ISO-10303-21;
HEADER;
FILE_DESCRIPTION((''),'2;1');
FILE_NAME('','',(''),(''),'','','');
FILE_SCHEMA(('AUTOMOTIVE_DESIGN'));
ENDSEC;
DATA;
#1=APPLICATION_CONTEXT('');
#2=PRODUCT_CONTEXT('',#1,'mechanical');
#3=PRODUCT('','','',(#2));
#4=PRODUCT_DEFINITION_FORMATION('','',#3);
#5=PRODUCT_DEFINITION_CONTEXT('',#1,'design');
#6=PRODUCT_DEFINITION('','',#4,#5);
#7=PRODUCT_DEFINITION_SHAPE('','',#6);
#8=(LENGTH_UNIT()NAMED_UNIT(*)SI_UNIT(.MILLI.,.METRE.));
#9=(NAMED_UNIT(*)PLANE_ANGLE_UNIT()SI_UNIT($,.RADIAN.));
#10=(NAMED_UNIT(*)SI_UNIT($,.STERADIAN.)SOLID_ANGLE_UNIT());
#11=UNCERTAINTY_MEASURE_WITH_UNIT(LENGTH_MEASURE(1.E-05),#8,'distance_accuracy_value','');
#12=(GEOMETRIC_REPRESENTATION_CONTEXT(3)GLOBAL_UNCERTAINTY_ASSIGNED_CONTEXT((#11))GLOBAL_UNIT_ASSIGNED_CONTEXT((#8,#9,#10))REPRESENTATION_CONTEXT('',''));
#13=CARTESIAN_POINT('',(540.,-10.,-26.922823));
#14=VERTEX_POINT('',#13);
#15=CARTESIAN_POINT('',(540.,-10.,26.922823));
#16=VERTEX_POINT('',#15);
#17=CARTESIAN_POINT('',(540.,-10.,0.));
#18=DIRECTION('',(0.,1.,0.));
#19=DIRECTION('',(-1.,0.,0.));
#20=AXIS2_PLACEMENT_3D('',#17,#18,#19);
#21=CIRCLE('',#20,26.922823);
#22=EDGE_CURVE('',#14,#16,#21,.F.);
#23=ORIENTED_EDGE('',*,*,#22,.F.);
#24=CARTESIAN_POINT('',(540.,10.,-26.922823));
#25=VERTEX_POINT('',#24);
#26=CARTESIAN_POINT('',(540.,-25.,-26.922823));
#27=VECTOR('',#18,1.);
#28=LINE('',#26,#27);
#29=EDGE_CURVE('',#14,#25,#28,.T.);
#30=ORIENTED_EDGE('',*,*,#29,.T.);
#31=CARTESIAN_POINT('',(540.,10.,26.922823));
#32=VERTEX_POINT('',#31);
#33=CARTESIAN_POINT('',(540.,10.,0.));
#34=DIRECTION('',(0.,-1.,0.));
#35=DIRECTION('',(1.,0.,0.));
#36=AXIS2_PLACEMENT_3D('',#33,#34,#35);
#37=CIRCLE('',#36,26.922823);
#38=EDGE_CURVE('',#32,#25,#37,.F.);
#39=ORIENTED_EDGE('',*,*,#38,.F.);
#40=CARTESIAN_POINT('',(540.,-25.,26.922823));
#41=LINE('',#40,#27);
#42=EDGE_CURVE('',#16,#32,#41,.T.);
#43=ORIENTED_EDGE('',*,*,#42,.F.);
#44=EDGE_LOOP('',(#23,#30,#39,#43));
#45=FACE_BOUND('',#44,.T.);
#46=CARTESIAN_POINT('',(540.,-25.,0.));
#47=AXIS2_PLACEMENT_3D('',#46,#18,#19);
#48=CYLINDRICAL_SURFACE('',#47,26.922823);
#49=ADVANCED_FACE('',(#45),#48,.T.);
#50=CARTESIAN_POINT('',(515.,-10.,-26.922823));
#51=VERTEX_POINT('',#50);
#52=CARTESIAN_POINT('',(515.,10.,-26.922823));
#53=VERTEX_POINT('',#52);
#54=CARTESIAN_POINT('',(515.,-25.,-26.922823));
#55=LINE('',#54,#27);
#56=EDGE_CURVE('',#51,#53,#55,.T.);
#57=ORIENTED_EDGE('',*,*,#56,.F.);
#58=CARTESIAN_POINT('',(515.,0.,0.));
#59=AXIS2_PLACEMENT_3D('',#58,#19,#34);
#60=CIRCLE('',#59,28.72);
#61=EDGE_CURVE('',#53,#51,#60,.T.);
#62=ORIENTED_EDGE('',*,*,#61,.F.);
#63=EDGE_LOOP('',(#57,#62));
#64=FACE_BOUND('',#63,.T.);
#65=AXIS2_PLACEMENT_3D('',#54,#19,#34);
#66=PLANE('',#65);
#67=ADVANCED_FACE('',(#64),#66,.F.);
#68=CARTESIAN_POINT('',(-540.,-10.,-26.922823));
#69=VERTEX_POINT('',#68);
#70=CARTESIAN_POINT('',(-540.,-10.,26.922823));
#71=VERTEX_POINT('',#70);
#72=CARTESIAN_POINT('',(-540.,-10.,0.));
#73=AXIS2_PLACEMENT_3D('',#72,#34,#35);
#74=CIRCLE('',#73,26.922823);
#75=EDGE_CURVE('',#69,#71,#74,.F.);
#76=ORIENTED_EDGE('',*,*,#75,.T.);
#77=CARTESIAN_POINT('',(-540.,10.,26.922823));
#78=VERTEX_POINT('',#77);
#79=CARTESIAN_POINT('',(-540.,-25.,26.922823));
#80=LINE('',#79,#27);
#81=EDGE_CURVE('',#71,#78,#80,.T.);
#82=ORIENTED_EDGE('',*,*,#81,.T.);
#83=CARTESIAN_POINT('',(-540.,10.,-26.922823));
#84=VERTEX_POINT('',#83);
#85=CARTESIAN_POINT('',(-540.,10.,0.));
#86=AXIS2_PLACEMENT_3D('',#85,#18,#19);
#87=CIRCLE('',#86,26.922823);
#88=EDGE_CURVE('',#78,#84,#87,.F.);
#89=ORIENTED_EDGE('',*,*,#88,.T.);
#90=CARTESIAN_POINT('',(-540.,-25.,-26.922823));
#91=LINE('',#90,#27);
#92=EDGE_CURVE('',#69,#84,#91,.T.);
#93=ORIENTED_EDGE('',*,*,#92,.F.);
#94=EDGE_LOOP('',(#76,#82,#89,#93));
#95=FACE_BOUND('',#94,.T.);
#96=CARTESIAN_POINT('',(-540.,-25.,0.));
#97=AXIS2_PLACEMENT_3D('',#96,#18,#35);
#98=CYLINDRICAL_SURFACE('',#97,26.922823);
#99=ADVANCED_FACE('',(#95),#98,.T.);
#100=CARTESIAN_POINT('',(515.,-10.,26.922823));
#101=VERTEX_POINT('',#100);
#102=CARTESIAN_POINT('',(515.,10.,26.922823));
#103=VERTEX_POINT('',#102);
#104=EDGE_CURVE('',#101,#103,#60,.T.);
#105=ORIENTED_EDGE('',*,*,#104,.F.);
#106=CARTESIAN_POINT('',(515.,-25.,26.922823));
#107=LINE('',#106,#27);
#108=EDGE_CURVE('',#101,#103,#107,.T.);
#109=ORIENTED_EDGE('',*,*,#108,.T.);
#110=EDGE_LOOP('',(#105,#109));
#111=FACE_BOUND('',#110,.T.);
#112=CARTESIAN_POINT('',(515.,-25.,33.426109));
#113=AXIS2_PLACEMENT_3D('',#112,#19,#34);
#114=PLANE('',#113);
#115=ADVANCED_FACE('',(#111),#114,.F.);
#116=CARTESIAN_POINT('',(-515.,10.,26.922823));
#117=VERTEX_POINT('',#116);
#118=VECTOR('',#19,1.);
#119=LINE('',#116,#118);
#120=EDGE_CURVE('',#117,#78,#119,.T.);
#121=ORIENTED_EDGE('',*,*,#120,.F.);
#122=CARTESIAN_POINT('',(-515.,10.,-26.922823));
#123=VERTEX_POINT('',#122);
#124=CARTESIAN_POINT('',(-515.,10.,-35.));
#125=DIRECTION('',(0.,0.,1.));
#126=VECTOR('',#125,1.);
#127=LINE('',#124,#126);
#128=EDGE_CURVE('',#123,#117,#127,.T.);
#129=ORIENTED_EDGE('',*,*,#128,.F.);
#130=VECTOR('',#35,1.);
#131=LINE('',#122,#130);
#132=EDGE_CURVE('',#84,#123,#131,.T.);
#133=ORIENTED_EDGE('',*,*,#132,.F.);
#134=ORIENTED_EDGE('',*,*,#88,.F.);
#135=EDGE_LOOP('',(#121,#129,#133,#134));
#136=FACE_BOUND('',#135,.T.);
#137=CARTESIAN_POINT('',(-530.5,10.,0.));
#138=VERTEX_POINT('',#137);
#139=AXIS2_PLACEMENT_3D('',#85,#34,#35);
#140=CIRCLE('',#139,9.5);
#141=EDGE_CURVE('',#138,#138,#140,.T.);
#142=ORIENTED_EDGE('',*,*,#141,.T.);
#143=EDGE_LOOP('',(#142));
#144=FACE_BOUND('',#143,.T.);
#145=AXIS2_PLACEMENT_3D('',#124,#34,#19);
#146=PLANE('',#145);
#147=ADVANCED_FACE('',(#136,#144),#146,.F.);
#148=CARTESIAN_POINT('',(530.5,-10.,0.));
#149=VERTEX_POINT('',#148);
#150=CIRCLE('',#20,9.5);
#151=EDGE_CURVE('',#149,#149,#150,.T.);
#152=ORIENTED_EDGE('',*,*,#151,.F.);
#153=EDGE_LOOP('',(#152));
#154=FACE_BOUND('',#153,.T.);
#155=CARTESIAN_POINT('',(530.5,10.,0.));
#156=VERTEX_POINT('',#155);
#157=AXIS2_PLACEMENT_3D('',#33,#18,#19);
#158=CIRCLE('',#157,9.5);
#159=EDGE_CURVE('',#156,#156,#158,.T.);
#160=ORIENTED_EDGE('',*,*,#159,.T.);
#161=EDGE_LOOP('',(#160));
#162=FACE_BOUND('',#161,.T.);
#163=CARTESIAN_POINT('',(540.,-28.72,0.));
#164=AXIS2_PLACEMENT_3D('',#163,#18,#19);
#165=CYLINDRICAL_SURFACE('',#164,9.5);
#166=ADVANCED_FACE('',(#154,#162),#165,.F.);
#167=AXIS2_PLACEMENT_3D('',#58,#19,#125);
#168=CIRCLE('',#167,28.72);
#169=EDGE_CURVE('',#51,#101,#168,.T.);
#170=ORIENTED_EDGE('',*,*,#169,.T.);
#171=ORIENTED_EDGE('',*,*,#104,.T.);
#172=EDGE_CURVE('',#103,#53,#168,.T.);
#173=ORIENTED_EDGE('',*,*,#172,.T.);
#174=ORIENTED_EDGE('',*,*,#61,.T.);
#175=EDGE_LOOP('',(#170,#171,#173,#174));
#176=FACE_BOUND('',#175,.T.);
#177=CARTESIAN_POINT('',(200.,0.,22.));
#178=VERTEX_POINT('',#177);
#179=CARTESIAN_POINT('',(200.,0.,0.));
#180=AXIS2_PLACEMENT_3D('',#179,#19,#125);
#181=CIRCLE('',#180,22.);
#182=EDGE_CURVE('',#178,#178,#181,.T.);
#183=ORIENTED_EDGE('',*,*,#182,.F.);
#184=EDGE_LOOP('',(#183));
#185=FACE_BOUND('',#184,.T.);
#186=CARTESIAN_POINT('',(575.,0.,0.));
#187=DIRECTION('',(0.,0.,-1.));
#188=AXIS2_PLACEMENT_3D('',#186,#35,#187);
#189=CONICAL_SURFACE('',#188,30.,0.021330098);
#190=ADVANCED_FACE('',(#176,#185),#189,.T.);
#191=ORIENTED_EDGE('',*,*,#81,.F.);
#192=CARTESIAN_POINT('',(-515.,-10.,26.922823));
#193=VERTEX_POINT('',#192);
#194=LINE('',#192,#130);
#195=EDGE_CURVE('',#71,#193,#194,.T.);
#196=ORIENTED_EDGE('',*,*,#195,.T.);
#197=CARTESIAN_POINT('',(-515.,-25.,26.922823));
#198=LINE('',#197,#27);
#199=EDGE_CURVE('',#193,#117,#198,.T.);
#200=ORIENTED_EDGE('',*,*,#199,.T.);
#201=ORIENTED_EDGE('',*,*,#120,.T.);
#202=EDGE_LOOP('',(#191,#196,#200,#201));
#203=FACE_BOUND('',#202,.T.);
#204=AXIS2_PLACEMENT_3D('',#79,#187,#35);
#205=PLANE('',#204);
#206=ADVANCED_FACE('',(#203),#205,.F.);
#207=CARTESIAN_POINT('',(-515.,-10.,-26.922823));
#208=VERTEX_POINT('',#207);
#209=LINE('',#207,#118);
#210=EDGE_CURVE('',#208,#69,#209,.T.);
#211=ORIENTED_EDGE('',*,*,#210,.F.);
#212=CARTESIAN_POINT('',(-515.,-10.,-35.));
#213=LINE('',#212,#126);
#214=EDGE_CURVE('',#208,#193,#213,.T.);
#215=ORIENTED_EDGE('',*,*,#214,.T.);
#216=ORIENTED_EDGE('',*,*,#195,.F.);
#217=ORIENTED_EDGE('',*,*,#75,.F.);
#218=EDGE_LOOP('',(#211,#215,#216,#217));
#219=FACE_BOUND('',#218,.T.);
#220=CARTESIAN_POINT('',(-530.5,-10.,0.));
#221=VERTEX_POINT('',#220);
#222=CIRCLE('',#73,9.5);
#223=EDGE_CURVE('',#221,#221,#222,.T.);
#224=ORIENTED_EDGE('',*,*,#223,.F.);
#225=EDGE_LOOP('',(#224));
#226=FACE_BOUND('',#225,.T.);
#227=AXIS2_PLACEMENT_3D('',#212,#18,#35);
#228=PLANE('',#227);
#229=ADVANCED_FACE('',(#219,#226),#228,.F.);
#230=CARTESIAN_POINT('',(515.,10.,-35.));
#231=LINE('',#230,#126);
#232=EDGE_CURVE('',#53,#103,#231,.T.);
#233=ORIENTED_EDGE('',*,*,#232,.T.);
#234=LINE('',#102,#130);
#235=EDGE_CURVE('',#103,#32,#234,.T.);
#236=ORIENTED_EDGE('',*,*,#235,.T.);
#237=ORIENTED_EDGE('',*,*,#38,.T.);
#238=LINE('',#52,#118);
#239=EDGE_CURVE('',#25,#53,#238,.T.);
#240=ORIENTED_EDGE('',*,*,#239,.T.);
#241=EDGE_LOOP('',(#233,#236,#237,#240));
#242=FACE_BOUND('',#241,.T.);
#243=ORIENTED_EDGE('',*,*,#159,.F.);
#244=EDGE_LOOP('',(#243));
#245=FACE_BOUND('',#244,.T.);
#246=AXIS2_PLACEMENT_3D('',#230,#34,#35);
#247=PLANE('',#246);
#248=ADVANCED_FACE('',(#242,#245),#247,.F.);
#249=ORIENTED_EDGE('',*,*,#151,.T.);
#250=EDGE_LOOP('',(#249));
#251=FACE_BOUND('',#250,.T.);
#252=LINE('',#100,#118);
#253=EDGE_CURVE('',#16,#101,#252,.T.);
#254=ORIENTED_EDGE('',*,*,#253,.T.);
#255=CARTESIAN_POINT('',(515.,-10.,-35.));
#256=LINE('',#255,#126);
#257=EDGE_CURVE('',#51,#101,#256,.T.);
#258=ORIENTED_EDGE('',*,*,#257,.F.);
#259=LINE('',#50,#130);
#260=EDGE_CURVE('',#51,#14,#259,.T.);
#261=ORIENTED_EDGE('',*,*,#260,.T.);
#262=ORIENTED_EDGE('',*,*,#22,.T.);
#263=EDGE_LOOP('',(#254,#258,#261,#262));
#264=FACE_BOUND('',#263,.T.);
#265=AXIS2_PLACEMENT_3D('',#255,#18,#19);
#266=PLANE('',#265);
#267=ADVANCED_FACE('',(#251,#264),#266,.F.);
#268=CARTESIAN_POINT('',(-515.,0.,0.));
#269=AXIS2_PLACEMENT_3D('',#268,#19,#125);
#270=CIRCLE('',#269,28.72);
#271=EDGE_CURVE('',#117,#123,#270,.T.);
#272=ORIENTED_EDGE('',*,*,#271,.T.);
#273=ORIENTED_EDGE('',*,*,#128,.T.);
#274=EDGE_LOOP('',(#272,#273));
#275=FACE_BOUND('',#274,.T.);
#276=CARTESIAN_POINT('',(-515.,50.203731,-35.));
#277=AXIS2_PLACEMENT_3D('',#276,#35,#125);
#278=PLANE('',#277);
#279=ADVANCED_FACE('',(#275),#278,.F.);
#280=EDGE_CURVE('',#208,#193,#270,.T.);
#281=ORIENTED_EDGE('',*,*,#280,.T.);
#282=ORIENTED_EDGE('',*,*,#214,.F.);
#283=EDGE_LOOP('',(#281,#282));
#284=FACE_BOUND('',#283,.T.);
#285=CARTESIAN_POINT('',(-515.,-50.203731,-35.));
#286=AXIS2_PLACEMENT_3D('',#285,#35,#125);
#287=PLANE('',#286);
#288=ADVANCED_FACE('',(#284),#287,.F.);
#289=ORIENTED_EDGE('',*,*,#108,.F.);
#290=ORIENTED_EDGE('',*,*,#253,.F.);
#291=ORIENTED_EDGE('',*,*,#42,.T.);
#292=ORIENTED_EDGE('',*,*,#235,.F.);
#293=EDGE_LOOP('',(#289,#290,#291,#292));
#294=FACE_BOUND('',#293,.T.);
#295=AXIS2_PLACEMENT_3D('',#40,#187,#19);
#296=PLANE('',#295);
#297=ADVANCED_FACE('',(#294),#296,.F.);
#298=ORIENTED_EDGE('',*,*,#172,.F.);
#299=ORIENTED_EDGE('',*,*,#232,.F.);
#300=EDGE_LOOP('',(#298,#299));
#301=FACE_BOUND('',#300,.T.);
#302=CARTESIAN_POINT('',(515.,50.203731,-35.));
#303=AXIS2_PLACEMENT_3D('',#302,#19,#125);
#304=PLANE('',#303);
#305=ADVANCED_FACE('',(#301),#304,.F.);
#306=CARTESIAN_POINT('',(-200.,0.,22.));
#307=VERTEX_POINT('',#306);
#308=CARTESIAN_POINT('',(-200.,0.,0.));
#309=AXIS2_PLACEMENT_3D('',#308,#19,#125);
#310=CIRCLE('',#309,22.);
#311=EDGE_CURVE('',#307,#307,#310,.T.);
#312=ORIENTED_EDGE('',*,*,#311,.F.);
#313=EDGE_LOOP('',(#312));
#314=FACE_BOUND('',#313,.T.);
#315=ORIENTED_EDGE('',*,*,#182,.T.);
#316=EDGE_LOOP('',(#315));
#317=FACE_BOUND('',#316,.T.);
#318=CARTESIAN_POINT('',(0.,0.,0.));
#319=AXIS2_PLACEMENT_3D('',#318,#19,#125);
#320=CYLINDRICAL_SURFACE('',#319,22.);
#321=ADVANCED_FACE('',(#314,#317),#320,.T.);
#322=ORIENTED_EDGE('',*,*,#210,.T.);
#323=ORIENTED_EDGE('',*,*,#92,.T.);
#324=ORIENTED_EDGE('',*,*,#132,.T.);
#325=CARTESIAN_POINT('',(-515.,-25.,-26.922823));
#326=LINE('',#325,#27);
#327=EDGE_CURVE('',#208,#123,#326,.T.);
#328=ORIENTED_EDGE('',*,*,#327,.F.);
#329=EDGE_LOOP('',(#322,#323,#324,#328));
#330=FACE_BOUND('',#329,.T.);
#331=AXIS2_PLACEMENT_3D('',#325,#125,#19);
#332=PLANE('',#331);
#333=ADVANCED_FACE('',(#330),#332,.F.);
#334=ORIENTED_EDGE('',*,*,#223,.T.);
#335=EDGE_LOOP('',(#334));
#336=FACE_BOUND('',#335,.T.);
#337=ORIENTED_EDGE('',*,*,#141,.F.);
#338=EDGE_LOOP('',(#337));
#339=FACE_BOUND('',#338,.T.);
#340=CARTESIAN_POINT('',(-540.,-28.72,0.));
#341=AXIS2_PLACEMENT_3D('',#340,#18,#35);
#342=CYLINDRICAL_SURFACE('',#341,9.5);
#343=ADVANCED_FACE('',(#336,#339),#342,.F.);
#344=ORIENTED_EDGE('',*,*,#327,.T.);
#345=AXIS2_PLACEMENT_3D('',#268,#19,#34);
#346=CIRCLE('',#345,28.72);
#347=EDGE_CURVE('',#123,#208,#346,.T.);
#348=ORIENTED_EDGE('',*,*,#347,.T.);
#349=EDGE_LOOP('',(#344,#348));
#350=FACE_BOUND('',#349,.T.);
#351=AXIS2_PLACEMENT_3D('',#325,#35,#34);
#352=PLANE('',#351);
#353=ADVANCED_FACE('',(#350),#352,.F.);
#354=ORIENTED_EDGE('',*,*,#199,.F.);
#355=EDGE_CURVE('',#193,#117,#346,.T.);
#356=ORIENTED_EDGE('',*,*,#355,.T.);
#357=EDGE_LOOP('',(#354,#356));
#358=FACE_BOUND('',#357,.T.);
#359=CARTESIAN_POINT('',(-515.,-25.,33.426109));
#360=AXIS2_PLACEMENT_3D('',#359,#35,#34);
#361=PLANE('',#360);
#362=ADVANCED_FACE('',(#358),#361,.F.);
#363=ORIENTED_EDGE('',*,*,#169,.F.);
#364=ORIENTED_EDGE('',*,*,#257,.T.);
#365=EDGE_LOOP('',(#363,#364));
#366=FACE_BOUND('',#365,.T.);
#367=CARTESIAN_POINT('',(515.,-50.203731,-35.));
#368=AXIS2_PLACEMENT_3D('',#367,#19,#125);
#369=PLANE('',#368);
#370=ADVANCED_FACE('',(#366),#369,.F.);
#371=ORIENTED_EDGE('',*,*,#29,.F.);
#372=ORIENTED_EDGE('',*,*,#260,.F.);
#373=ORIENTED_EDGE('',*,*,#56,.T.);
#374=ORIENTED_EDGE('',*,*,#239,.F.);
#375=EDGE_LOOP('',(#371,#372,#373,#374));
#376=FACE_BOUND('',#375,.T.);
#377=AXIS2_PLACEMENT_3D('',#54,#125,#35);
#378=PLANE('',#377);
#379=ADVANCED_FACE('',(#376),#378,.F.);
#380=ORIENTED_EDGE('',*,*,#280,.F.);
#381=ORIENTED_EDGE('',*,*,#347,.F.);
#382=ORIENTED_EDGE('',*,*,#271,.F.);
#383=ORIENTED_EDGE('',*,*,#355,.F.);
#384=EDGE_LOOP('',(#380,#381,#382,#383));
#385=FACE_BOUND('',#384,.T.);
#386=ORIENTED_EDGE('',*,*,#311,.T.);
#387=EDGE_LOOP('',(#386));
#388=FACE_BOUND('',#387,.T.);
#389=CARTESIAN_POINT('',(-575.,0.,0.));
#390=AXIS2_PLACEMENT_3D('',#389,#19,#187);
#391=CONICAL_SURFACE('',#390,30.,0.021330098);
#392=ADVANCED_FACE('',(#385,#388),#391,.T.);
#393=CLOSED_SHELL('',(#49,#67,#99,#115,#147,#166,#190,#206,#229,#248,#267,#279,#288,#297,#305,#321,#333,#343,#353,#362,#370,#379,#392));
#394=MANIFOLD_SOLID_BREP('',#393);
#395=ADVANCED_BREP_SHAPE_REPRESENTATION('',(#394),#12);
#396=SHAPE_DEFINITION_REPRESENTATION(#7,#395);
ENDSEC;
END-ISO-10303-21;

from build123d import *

# Parameters (mm, degrees)
SKETCH2_W          = 81.219896545
SKETCH2_H          = 40.203731022
CUT_EXTRUDE1_DEPTH = 35
CUT_EXTRUDE2_DEPTH = 35
SKETCH4_R          = 9.5
CUT_EXTRUDE3_DEPTH = 569.968860373


with BuildPart() as part:
    # Sketch1 → Revolve1 (revolve)
    with BuildSketch(Plane.XY, mode=Mode.PRIVATE) as revolve1_sk:
        Polygon((0, 0), (575, 0), (575, 30), (200, 22), (0, 22), align=None)
    revolve1 = revolve(revolve1_sk.sketch.rotate(Axis((0, 0, 0), (1, 0, 0)), 90), axis=Axis((0, 0, 0), (1, 0, 0)))

    # Sketch2 → Cut-Extrude1 (cut, symmetric)
    with BuildSketch(Plane.XY):
        with Locations((555.609948272, 30.101865511)):
            Rectangle(SKETCH2_W, SKETCH2_H)
        with Locations((555.609948272, -30.101865511)):
            Rectangle(SKETCH2_W, SKETCH2_H)
    cut_extrude1 = extrude(amount=CUT_EXTRUDE1_DEPTH, both=True, mode=Mode.SUBTRACT)

    # Sketch3 → Cut-Extrude2 (cut, symmetric)
    with BuildSketch(Plane(origin=(0, 10, 0), x_dir=(1, 0, 0), z_dir=(0, 1, 0))):
        with BuildLine():
            Line((515, 26.922823032), (540, 26.922823032))
            ThreePointArc((540, 26.922823032), (566.922823032, 0), (540, -26.922823032))
            Line((540, -26.922823032), (515, -26.922823032))
            Line((515, -26.922823032), (515, -33.426109463))
            Line((515, -33.426109463), (579.528771991, -33.426109463))
            Line((579.528771991, -33.426109463), (579.528771991, 35.099670457))
            Line((579.528771991, 35.099670457), (515, 35.099670457))
            Line((515, 35.099670457), (515, 26.922823032))
        make_face()
    cut_extrude2 = extrude(amount=CUT_EXTRUDE2_DEPTH, both=True, mode=Mode.SUBTRACT)

    # Sketch4 → Cut-Extrude3 (cut, through all)
    with BuildSketch(Plane(origin=(0, 10, 0), x_dir=(1, 0, 0), z_dir=(0, 1, 0))):
        with Locations(Location((540, 0, 0), (0, 0, 180))):
            Circle(SKETCH4_R)
    cut_extrude3 = extrude(amount=-CUT_EXTRUDE3_DEPTH, mode=Mode.SUBTRACT)

    # Mirror1: Revolve1, Cut-Extrude1, Cut-Extrude2, Cut-Extrude3 across plane
    add(revolve1.mirror(Plane(origin=(0, 0, 0), x_dir=(0, 0, 1), z_dir=(1, 0, 0))))
    add(cut_extrude1.mirror(Plane(origin=(0, 0, 0), x_dir=(0, 0, 1), z_dir=(1, 0, 0))), mode=Mode.SUBTRACT)
    add(cut_extrude2.mirror(Plane(origin=(0, 0, 0), x_dir=(0, 0, 1), z_dir=(1, 0, 0))), mode=Mode.SUBTRACT)
    add(cut_extrude3.mirror(Plane(origin=(0, 0, 0), x_dir=(0, 0, 1), z_dir=(1, 0, 0))), mode=Mode.SUBTRACT)


solid = part.part
